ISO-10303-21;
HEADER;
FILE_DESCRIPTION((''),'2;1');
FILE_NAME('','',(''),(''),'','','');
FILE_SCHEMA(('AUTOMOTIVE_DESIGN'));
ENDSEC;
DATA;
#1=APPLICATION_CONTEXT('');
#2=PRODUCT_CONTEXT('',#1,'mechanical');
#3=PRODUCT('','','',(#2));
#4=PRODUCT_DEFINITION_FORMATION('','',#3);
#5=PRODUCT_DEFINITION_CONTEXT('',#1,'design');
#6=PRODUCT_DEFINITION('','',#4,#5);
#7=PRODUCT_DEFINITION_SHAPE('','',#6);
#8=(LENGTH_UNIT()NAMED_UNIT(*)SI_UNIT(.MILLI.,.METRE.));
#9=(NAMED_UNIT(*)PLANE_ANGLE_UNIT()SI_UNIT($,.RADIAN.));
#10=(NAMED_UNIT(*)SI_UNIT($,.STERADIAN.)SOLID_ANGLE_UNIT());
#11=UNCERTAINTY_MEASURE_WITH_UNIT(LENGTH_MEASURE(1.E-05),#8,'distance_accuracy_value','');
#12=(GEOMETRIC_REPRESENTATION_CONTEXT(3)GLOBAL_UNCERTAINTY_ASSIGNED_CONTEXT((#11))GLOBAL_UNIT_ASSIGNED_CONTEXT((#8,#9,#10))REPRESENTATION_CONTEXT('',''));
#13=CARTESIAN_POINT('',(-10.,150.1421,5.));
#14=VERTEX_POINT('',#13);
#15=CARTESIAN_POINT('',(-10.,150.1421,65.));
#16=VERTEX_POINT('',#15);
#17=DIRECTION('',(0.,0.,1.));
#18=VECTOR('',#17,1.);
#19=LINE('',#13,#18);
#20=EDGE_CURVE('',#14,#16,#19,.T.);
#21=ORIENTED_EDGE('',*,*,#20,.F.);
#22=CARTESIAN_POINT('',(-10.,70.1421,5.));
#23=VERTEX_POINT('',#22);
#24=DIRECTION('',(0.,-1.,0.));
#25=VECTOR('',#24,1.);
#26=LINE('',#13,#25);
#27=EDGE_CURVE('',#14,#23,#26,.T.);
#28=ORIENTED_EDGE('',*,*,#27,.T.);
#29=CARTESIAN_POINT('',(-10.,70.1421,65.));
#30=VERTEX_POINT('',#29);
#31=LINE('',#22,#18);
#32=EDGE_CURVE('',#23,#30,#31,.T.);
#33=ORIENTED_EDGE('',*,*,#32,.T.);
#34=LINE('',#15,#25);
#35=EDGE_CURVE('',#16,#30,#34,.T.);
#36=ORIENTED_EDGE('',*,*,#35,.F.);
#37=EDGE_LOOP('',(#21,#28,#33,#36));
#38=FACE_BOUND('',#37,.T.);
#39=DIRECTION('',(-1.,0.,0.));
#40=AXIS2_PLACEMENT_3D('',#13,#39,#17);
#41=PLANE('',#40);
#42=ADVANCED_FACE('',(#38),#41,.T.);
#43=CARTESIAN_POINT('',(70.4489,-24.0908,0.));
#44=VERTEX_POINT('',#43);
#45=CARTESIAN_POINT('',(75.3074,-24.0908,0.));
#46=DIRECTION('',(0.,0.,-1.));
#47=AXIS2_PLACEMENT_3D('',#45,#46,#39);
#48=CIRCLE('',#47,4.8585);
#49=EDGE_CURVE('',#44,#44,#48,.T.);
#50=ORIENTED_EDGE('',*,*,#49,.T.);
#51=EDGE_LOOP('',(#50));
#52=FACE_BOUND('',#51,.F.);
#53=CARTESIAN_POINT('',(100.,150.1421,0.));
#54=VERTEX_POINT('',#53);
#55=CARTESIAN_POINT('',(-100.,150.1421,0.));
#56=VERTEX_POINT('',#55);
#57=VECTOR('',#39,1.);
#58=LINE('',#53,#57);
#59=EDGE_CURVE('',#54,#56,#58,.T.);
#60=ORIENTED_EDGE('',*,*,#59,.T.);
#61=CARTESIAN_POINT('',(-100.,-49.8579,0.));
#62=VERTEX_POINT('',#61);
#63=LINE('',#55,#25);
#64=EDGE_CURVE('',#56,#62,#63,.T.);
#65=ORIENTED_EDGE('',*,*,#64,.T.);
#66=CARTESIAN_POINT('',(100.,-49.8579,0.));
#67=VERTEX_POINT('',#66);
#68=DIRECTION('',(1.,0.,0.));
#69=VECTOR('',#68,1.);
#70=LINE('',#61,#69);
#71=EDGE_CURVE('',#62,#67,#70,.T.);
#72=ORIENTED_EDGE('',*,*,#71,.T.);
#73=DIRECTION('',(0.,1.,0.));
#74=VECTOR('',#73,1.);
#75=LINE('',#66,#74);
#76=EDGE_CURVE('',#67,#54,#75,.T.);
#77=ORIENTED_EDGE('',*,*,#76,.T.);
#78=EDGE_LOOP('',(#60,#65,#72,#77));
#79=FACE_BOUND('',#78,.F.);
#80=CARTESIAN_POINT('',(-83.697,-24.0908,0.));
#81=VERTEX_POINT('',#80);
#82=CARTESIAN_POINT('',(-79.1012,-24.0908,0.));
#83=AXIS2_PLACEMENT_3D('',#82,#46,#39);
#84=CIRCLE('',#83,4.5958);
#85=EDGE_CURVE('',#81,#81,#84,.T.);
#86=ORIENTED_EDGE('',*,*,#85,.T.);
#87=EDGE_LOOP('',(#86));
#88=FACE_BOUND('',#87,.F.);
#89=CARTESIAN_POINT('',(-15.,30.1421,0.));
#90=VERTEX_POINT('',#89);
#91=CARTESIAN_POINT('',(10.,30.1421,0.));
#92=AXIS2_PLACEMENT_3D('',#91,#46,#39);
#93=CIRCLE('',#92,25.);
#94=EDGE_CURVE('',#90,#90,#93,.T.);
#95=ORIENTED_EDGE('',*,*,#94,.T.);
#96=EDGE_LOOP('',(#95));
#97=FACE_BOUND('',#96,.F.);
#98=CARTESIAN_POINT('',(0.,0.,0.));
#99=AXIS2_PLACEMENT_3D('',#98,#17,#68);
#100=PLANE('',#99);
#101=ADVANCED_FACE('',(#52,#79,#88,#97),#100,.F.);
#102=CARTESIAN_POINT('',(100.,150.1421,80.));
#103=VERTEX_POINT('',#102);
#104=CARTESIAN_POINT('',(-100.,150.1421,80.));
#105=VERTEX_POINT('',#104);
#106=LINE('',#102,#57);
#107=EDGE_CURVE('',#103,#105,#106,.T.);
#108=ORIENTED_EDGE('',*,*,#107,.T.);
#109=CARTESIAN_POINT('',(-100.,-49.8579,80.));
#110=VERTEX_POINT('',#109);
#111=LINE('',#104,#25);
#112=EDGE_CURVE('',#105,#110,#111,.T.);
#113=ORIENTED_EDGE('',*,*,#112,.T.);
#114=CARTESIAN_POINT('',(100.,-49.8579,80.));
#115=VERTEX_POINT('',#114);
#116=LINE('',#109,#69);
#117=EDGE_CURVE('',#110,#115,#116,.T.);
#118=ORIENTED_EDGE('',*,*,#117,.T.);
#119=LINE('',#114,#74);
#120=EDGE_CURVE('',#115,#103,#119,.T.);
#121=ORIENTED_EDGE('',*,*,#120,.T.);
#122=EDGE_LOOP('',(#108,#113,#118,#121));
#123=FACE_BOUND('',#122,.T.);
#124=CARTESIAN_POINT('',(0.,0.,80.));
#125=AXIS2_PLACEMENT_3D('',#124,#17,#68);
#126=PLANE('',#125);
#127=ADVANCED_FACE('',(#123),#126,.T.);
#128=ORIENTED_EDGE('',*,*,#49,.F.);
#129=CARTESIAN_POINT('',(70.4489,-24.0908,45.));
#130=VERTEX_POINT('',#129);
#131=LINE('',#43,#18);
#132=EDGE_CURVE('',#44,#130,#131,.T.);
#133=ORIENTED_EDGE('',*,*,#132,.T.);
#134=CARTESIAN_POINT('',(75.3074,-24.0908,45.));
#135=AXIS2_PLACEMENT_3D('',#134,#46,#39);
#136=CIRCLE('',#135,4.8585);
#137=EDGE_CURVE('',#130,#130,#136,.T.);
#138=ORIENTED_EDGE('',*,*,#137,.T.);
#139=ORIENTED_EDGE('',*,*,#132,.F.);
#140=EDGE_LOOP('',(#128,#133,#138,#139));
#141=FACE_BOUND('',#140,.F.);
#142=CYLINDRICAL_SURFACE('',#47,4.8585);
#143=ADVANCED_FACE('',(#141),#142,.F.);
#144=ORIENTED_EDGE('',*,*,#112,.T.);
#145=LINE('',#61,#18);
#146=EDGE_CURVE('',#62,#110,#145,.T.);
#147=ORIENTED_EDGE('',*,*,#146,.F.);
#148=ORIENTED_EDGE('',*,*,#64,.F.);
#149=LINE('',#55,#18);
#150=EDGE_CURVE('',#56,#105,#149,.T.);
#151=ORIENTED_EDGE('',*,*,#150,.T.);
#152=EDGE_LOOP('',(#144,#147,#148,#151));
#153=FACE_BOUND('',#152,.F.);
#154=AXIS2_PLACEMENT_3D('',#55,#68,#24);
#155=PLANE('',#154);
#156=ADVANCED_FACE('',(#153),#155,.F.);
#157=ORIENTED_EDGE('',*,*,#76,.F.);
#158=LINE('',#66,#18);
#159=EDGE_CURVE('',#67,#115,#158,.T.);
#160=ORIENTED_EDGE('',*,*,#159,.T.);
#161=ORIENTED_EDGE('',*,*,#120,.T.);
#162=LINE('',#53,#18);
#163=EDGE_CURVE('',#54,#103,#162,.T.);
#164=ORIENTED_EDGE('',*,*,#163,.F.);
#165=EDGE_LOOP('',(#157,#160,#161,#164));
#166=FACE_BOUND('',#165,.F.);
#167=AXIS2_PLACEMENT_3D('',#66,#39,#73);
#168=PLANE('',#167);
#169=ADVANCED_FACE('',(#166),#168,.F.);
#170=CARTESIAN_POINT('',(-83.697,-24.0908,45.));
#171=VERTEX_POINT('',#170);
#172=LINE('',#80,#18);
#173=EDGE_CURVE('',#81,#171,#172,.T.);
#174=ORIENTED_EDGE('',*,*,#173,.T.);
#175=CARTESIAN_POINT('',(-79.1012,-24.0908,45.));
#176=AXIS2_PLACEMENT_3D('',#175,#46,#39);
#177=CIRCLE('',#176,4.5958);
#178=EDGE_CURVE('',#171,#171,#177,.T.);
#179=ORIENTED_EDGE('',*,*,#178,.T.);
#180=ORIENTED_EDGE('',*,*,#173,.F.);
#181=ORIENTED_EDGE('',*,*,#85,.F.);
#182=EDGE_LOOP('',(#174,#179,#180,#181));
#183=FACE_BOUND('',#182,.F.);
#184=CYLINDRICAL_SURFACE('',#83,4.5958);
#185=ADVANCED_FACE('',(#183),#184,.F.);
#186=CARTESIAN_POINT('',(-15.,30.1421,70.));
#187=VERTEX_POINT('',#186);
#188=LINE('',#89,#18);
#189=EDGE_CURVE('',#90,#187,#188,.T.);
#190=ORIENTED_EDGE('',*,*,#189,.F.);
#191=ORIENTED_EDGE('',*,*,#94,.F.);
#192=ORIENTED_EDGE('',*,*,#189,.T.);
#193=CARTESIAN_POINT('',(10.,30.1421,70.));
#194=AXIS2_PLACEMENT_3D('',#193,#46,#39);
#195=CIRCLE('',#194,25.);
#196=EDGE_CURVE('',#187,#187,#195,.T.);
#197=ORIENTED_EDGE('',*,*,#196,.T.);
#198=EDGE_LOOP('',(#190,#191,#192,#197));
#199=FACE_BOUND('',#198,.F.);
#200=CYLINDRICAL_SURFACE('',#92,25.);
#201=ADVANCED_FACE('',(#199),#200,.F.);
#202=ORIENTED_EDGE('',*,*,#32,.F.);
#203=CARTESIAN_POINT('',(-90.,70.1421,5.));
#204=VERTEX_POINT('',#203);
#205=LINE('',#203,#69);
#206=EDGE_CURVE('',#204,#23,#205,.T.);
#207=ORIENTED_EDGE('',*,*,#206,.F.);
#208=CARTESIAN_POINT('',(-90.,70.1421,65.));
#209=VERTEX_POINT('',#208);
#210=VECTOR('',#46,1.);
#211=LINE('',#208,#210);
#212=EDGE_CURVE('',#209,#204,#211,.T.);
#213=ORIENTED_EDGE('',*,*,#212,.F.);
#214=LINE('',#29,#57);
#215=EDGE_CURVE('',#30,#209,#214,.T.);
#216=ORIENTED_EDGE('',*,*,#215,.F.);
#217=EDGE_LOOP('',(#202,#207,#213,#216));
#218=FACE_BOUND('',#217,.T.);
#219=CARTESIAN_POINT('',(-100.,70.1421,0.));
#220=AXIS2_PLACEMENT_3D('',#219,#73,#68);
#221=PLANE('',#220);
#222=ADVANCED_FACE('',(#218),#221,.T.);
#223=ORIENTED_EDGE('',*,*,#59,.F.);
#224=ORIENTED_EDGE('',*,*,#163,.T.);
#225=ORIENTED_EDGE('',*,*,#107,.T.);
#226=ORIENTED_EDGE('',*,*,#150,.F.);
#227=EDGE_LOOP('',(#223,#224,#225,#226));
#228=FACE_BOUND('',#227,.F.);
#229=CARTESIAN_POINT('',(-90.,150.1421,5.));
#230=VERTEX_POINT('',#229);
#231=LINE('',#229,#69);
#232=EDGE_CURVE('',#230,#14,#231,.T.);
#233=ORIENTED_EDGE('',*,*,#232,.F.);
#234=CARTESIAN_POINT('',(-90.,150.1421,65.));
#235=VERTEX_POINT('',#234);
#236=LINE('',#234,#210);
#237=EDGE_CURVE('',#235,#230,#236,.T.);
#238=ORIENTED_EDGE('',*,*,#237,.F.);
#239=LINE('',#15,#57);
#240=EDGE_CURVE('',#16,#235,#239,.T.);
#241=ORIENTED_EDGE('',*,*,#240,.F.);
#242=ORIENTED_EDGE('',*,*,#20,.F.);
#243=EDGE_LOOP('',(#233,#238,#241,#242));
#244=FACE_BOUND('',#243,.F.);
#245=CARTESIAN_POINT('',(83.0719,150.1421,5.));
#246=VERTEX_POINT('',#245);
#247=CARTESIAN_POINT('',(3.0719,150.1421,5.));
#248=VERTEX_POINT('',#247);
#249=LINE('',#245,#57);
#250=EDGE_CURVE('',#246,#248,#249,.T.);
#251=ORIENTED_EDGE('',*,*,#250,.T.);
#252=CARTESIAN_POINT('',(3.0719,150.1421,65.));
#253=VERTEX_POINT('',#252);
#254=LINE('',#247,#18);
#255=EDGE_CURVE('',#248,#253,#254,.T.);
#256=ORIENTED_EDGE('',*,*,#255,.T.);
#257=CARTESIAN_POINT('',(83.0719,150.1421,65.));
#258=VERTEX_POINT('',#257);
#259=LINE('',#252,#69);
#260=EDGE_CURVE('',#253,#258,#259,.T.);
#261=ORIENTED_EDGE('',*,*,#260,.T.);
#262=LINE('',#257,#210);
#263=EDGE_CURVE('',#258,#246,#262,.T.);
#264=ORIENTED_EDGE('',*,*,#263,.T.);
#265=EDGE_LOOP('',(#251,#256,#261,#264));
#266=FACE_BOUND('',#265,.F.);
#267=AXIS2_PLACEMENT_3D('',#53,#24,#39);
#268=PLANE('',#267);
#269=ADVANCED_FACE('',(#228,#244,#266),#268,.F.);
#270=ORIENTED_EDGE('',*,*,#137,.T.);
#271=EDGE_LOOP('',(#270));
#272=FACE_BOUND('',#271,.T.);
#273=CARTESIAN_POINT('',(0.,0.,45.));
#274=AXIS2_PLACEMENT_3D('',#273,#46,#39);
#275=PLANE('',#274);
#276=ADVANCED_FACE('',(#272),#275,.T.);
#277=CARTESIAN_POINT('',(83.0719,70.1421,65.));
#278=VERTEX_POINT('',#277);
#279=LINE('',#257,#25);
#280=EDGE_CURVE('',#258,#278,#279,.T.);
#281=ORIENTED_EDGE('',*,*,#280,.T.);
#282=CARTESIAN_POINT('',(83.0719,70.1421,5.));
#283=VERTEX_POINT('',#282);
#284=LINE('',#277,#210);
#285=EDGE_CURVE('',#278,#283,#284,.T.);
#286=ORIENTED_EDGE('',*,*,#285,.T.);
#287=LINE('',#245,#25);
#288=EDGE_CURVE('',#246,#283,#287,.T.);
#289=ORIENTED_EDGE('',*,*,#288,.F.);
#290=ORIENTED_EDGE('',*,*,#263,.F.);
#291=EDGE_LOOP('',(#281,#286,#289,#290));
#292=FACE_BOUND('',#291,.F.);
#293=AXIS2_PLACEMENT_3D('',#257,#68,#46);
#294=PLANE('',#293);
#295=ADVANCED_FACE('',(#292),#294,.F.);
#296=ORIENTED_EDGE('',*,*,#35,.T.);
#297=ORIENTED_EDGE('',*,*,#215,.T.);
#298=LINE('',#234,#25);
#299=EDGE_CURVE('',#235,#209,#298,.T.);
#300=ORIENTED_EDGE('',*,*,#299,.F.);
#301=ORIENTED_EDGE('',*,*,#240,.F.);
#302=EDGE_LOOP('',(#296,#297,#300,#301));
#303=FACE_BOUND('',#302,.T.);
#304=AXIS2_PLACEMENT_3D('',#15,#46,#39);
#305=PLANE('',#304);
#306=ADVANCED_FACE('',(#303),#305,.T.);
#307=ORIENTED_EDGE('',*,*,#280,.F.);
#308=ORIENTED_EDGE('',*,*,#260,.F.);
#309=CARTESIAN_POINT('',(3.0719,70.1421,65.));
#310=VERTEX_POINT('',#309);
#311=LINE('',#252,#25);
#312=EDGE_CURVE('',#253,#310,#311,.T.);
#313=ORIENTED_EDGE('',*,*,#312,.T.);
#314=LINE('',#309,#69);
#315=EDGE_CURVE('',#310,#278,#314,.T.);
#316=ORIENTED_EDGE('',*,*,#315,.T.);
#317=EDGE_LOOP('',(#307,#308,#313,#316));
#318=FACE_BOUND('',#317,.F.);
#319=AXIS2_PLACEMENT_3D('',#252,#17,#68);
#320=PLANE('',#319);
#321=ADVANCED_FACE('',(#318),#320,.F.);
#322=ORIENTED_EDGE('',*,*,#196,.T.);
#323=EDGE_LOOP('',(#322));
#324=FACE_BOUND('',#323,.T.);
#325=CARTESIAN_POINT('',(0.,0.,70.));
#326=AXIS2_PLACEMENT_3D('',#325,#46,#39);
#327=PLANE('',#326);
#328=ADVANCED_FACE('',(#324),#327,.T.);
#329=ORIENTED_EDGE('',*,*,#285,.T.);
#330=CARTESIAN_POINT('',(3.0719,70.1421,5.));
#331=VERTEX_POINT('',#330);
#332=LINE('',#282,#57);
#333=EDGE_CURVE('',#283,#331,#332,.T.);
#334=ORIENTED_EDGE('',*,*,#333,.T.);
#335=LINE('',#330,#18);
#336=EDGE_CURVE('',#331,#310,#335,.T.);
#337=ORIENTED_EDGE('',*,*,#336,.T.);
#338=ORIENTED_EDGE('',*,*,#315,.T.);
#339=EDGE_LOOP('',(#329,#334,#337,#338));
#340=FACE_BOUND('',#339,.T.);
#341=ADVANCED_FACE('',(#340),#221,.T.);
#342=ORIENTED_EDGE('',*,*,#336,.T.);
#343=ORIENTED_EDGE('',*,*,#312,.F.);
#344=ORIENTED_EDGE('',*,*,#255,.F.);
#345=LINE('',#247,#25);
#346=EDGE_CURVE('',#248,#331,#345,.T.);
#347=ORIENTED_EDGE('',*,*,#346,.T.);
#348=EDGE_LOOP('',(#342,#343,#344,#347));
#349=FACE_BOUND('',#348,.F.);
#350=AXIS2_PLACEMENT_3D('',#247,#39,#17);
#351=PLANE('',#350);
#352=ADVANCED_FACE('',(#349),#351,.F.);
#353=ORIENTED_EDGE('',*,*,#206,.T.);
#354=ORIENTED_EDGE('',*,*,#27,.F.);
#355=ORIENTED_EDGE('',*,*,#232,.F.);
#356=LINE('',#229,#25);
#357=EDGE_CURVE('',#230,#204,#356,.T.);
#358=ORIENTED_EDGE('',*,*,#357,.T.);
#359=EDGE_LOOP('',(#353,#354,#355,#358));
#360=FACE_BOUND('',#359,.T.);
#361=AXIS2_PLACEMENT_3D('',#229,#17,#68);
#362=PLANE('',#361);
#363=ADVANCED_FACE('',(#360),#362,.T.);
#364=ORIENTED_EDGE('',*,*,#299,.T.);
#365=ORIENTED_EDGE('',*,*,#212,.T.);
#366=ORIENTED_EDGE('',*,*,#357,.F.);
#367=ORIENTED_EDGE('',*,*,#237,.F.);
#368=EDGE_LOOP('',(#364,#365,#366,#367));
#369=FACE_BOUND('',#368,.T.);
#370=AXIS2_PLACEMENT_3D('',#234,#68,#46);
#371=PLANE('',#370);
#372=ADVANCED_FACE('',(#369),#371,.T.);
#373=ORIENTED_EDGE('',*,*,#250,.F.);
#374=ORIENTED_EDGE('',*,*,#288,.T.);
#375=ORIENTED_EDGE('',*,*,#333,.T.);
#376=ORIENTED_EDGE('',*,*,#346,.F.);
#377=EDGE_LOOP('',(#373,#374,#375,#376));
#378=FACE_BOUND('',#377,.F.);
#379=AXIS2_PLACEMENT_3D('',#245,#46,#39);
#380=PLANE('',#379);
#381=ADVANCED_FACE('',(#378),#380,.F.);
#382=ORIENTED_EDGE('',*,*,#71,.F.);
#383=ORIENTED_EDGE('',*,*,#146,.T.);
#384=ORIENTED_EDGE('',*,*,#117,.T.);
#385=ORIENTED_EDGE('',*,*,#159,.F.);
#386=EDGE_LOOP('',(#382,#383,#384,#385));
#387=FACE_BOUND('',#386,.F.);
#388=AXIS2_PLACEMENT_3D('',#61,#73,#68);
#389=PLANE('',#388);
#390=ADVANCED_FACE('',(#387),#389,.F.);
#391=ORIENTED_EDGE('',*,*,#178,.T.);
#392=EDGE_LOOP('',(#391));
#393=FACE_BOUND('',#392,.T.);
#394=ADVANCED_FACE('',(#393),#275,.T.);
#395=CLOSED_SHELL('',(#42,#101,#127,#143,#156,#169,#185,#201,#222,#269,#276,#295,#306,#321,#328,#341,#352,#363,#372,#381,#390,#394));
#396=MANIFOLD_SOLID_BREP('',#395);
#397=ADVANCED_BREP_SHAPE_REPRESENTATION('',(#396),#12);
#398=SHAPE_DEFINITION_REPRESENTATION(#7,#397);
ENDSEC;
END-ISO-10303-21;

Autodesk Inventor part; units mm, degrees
ref_plane "YZ Plane" through (0, 0, 0) normal (1, 0, 0) x (0, 1, 0)
ref_plane "XZ Plane" through (0, 0, 0) normal (0, 1, 0) x (-1, 0, 0)
ref_plane "XY Plane" through (0, 0, 0) normal (0, 0, 1) x (1, 0, 0)
sketch "Sketch1" plane through (0, 0, 0) normal (0, 0, 1) x (1, 0, 0)
  line L0 (-100, -49.8579) -> (100, -49.8579)
  line L1 (100, -49.8579) -> (100, 150.1421)
  line L2 (100, 150.1421) -> (-100, 150.1421)
  line L3 (-100, 150.1421) -> (-100, -49.8579)
  line L4 (-100, -49.8579) -> (100, 150.1421) construction
  line L5 (100, -49.8579) -> (-100, 150.1421) construction
  point P0 (0, 50.1421)
  dimension "d13" = 200
  dimension "d14" = 200
  dimension "d17" = 200
extrude "Extrusion1" add sketch "Sketch1" along normal blind 80
sketch "Sketch2" plane through (-100, 150.1421, 0) normal (0, 1, 0) x (1, 0, 0)
  line L0 (90, -65) -> (10, -65)
  line L1 (10, -65) -> (10, -5)
  line L2 (10, -5) -> (90, -5)
  line L3 (90, -5) -> (90, -65)
  line L4 (90, -65) -> (10, -5) construction
  line L5 (10, -65) -> (90, -5) construction
  line L6 (0, 0) -> (0, -80) projected
  line L7 (200, 0) -> (0, 0) projected
  point P0 (100, 0)
  point P1 (50, -35)
  dimension "d7" = 80
  dimension "d8" = 60
  dimension "d9" = 10
  dimension "d10" = 5
extrude "Extrusion2" cut sketch "Sketch2" against normal blind 80
sketch "Sketch3" plane through (0, 0, 0) normal (0, 0, -1) x (-1, 0, 0)
  circle A0 centre (-10, 30.1421) radius 25
  line L0 (100, -49.8579) -> (-100, -49.8579) projected
  line L1 (-100, -49.8579) -> (-100, 150.1421) projected
  point P0 (0, 0)
  dimension "d19" = 50
  dimension "d20" = 80
  dimension "d21" = 90
extrude "Extrusion3" cut sketch "Sketch3" against normal blind 70
sketch "Sketch4" plane through (-100, 150.1421, 0) normal (0, 1, 0) x (1, 0, 0)
  line L0 (183.0719, -5) -> (103.0719, -5)
  line L1 (103.0719, -5) -> (103.0719, -65)
  line L2 (103.0719, -65) -> (183.0719, -65)
  line L3 (183.0719, -65) -> (183.0719, -5)
  line L4 (183.0719, -5) -> (103.0719, -65) construction
  line L5 (103.0719, -5) -> (183.0719, -65) construction
  line L6 (200, 0) -> (0, 0) projected
  point P0 (100, 0)
  point P1 (143.0719, -35)
  dimension "d24" = 80
  dimension "d25" = 60
  dimension "d26" = 5
extrude "Extrusion4" cut sketch "Sketch4" against normal blind 80
sketch "Sketch5" plane through (0, 0, 0) normal (0, 0, -1) x (-1, 0, 0)
  circle A0 centre (79.1012, -24.0908) radius 4.5958
  circle A1 centre (-75.3074, -24.0908) radius 4.8585
  point P0 (0, 0)
extrude "Extrusion5" cut sketch "Sketch5" against normal blind 45
properties part number "exploration1.1"
